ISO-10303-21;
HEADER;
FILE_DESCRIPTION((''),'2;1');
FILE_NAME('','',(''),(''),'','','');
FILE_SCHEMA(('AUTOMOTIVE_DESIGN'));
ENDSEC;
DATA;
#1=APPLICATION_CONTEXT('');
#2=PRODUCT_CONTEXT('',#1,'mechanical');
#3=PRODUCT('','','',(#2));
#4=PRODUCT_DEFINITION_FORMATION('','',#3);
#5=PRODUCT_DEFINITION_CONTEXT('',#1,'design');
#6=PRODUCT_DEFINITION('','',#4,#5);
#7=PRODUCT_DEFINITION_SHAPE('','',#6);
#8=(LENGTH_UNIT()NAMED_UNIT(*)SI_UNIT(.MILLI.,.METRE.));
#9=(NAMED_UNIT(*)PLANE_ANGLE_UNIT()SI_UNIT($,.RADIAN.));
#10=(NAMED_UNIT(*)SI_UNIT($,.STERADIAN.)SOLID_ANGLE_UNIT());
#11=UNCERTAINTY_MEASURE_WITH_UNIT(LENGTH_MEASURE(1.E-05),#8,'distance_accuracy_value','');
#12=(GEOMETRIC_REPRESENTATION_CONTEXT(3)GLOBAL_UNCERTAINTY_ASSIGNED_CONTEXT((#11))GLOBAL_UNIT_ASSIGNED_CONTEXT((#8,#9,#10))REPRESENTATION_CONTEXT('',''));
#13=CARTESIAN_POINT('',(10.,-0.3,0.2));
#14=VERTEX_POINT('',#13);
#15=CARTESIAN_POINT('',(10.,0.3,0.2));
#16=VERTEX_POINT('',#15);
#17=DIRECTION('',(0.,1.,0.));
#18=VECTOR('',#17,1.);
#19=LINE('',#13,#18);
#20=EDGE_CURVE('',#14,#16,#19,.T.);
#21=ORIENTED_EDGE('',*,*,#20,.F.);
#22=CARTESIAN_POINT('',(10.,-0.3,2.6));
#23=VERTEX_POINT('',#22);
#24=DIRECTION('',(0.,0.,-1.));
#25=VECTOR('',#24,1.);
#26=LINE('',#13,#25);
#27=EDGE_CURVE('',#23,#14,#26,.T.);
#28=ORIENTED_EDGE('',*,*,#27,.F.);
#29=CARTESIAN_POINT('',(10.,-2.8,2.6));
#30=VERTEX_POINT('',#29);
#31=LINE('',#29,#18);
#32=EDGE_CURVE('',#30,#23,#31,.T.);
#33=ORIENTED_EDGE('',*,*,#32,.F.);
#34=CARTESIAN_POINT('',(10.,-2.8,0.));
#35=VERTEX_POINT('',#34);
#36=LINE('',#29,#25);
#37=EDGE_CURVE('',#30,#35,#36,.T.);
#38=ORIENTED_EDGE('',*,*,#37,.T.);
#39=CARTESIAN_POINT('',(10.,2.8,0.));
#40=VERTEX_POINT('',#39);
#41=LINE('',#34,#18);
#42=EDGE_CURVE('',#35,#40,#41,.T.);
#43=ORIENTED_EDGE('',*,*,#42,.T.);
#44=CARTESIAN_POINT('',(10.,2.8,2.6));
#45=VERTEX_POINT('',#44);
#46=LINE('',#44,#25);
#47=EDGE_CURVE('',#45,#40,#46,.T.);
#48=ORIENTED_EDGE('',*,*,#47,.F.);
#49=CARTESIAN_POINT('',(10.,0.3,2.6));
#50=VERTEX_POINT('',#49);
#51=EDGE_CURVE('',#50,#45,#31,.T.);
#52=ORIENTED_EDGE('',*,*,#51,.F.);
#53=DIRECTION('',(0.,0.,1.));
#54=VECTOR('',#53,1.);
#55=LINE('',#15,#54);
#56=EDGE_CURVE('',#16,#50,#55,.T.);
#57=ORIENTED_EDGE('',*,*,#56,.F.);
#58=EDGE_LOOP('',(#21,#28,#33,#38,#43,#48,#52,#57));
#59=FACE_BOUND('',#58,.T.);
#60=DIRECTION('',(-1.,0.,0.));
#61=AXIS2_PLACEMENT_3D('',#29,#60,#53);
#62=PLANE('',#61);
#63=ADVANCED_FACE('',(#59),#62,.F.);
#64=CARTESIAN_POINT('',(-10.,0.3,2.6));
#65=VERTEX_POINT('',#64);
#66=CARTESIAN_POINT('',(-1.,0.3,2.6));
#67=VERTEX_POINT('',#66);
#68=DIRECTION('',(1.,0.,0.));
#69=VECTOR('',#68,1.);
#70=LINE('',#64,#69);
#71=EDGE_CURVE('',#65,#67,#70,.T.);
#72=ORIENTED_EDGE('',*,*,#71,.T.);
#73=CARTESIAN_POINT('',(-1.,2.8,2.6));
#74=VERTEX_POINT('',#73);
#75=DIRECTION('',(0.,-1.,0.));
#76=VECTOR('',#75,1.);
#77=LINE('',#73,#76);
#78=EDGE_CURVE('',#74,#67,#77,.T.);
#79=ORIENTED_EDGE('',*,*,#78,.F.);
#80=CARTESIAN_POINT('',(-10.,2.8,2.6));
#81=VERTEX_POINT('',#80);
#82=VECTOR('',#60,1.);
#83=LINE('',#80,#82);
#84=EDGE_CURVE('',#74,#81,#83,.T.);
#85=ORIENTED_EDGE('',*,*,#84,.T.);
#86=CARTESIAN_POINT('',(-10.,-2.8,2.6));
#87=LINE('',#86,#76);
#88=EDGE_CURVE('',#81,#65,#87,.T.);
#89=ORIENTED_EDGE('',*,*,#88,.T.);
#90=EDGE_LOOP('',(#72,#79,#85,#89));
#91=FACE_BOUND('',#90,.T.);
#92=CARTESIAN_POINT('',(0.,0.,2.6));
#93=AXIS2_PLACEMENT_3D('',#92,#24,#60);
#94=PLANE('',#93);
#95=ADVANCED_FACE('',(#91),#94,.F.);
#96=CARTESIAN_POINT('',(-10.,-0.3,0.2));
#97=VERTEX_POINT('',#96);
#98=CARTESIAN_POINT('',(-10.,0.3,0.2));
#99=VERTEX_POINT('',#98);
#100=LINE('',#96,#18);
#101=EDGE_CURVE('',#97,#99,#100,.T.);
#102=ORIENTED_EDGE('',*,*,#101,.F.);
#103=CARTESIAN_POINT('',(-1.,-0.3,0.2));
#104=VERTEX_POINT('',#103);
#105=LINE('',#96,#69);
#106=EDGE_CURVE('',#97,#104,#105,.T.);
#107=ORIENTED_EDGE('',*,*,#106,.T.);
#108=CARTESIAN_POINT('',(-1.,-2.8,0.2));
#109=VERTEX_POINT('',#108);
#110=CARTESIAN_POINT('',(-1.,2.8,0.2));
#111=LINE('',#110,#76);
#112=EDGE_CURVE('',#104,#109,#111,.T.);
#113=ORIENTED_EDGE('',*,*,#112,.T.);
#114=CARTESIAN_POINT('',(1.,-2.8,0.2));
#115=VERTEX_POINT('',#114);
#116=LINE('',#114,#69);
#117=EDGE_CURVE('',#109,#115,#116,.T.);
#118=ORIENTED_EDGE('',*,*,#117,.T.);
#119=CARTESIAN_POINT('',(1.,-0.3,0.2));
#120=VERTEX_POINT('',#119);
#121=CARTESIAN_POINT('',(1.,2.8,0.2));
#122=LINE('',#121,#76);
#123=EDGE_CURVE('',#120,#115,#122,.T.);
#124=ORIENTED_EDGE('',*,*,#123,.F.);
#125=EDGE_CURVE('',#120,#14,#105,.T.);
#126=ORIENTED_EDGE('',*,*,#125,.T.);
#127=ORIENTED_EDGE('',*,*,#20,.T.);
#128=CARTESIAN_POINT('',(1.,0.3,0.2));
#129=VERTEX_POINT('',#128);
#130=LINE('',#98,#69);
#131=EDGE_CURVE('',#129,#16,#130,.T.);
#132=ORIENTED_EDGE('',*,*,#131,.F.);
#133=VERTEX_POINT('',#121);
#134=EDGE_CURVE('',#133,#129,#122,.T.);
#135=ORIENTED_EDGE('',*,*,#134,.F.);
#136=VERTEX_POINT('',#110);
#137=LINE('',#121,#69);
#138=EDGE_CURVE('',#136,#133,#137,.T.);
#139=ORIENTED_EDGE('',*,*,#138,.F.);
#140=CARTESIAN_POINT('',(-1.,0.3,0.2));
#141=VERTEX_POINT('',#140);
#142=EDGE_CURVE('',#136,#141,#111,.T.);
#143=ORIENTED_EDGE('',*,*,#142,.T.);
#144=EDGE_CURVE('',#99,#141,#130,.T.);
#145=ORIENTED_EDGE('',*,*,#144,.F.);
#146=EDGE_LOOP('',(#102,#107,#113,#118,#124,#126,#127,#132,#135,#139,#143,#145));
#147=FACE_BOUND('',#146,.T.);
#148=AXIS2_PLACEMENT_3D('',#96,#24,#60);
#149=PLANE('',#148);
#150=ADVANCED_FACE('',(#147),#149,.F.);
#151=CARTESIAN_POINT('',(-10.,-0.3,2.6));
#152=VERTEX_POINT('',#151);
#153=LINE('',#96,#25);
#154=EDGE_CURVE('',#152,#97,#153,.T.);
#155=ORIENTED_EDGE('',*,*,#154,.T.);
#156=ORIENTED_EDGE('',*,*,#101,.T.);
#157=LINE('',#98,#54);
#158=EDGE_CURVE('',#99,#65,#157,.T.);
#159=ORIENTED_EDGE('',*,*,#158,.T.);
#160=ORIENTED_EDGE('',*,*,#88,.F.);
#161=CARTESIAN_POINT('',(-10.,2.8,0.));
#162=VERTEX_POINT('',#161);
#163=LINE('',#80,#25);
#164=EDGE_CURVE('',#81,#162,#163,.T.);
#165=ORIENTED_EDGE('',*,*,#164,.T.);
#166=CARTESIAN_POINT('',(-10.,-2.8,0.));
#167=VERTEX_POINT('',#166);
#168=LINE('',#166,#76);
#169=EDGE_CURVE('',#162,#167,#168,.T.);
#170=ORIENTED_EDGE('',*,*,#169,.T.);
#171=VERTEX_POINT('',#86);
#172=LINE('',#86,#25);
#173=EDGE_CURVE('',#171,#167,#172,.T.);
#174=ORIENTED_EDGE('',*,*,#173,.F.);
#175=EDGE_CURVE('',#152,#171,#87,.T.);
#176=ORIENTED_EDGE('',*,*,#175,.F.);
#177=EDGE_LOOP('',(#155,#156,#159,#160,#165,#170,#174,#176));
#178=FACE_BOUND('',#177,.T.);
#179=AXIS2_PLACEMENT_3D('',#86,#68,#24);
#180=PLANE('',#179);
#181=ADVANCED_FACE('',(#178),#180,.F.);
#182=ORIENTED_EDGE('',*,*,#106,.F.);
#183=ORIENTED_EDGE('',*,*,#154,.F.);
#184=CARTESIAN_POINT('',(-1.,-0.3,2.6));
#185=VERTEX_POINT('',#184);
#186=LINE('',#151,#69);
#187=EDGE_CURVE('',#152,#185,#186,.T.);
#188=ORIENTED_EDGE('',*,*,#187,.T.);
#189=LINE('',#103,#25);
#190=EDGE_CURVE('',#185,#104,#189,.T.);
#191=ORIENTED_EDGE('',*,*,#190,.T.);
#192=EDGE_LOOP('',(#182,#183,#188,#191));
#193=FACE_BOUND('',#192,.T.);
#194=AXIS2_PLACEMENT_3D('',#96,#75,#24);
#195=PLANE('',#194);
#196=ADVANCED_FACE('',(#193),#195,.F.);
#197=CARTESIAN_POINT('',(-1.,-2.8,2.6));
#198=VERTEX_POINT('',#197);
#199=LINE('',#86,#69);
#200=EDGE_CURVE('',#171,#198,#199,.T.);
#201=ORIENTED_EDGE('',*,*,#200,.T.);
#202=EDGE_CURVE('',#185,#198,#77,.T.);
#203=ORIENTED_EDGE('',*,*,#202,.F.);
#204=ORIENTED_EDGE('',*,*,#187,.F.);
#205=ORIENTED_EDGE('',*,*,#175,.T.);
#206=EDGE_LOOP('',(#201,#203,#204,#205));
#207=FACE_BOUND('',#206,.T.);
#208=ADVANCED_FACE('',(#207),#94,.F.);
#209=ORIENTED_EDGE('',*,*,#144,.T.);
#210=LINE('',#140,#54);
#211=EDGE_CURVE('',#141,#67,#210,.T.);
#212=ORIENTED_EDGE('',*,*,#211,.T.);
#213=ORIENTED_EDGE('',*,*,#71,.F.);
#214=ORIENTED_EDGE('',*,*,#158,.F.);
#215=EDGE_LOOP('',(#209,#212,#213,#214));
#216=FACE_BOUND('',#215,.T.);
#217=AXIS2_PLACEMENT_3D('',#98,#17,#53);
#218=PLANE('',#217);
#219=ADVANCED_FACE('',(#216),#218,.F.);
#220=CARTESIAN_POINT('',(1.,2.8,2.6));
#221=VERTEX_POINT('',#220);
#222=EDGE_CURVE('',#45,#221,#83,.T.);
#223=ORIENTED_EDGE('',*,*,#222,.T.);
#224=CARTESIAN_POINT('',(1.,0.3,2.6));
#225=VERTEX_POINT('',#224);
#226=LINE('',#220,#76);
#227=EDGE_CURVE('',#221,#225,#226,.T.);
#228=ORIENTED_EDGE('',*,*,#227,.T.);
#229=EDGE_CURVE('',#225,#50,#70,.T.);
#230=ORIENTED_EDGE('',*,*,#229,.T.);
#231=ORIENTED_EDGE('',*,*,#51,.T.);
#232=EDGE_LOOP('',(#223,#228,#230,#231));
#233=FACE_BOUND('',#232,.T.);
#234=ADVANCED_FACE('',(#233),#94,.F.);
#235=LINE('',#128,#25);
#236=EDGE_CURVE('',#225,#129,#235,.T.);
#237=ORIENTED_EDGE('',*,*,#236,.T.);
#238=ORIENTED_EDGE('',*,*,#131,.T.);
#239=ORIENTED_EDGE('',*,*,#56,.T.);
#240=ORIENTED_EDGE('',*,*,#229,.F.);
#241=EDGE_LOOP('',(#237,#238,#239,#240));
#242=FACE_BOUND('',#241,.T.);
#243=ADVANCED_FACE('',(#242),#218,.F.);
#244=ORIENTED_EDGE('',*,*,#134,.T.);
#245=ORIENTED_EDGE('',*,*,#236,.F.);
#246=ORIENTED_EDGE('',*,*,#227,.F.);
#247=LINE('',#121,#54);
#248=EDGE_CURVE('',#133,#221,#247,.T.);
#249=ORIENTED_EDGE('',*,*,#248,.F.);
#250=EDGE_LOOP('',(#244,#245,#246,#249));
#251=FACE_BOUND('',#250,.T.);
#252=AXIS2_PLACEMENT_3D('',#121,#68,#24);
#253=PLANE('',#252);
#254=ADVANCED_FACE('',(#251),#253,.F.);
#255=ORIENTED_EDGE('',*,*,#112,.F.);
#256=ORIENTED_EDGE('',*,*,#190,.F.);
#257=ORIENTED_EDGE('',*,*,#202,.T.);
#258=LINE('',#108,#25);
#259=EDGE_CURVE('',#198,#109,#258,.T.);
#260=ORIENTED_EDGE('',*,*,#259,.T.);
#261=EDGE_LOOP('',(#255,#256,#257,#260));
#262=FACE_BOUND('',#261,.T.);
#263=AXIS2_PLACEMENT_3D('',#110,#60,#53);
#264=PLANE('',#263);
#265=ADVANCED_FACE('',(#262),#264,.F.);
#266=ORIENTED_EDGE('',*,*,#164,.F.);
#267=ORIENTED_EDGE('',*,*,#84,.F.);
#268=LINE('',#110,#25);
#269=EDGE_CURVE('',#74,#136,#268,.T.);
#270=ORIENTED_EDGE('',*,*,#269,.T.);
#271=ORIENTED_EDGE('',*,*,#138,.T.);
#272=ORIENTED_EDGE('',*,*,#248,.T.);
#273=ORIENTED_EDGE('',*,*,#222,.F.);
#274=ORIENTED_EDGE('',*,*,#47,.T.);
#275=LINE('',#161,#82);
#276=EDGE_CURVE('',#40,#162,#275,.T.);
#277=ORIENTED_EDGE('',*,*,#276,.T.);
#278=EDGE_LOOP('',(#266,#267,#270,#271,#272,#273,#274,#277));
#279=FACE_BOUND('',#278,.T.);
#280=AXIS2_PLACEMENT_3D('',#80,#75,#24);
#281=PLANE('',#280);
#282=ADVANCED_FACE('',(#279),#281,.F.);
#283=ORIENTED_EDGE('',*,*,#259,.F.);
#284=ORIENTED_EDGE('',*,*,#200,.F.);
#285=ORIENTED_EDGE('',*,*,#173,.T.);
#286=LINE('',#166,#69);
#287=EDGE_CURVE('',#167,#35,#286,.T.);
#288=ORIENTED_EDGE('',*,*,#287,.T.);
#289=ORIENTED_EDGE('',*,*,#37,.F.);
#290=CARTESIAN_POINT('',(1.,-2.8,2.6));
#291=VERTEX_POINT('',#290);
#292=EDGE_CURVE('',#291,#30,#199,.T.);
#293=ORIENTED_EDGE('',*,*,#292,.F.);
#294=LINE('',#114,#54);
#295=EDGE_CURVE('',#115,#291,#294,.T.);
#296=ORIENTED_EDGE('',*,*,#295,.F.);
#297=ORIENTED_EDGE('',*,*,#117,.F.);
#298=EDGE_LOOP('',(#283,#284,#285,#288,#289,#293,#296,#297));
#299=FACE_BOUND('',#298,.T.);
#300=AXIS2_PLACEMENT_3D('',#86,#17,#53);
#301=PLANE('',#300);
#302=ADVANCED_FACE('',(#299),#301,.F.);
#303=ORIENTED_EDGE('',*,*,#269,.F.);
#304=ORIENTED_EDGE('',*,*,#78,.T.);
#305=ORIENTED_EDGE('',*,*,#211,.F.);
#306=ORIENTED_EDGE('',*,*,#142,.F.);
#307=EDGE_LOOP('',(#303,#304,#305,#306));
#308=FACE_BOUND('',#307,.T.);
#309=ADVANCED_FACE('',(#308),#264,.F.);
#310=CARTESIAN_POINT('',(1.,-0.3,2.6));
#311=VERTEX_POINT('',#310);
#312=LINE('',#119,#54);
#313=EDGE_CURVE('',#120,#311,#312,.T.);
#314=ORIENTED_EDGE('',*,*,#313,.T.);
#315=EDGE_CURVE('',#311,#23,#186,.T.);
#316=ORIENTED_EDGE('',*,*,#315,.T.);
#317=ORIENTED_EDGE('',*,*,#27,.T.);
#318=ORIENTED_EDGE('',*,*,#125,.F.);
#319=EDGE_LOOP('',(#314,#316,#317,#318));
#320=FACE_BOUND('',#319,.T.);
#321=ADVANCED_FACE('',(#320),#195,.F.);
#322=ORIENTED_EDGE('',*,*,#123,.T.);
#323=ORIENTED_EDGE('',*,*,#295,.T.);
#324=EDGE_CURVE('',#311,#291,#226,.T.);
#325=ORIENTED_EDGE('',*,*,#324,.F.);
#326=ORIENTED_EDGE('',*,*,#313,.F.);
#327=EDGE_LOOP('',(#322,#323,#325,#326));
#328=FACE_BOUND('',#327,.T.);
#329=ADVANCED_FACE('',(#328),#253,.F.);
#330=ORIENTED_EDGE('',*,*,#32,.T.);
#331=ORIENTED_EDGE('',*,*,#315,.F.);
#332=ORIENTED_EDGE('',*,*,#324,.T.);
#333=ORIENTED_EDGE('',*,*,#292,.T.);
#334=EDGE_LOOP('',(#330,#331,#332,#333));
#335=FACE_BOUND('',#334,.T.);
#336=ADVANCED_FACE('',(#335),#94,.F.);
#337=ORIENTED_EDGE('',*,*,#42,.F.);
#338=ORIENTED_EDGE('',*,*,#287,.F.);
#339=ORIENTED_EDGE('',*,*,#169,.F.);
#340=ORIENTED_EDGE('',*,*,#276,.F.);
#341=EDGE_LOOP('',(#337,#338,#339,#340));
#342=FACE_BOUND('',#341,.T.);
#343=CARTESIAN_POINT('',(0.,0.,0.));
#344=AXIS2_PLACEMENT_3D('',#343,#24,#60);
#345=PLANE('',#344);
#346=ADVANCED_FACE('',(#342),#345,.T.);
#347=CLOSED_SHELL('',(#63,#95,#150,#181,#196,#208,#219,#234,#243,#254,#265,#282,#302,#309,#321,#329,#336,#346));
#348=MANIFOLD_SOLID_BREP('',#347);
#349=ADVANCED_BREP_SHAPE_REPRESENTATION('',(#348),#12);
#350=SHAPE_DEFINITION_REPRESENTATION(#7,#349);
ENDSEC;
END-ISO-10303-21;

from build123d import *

# Parameters (mm, degrees)
SKETCH_1_W          = 20
SKETCH_1_H          = 5.6
EXTRUDE_1_DEPTH     = 2.6
SKETCH_2_W          = 2.4
SKETCH_2_H          = 0.6
CUT_EXTRUDE_1_DEPTH = 21
SKETCH_3_W          = 2
SKETCH_3_H          = 2.4
CUT_EXTRUDE_2_DEPTH = 6.6


with BuildPart() as part:
    # 草图1 → 凸台-拉伸1 (new body)
    with BuildSketch(Plane.XY):
        Rectangle(SKETCH_1_W, SKETCH_1_H)
    extrude(amount=EXTRUDE_1_DEPTH)

    # 草图2 → 切除-拉伸1 (cut, through all)
    with BuildSketch(Plane(origin=(10, 0, 0), x_dir=(0, 0, -1), z_dir=(1, 0, 0))):
        with Locations((-1.4, 0)):
            Rectangle(SKETCH_2_W, SKETCH_2_H)
    extrude(amount=-CUT_EXTRUDE_1_DEPTH, mode=Mode.SUBTRACT)

    # 草图3 → 切除-拉伸2 (cut, through all)
    with BuildSketch(Plane.XZ.offset(2.8)):
        with Locations((0, 1.4)):
            Rectangle(SKETCH_3_W, SKETCH_3_H)
    extrude(amount=-CUT_EXTRUDE_2_DEPTH, mode=Mode.SUBTRACT)


solid = part.part
